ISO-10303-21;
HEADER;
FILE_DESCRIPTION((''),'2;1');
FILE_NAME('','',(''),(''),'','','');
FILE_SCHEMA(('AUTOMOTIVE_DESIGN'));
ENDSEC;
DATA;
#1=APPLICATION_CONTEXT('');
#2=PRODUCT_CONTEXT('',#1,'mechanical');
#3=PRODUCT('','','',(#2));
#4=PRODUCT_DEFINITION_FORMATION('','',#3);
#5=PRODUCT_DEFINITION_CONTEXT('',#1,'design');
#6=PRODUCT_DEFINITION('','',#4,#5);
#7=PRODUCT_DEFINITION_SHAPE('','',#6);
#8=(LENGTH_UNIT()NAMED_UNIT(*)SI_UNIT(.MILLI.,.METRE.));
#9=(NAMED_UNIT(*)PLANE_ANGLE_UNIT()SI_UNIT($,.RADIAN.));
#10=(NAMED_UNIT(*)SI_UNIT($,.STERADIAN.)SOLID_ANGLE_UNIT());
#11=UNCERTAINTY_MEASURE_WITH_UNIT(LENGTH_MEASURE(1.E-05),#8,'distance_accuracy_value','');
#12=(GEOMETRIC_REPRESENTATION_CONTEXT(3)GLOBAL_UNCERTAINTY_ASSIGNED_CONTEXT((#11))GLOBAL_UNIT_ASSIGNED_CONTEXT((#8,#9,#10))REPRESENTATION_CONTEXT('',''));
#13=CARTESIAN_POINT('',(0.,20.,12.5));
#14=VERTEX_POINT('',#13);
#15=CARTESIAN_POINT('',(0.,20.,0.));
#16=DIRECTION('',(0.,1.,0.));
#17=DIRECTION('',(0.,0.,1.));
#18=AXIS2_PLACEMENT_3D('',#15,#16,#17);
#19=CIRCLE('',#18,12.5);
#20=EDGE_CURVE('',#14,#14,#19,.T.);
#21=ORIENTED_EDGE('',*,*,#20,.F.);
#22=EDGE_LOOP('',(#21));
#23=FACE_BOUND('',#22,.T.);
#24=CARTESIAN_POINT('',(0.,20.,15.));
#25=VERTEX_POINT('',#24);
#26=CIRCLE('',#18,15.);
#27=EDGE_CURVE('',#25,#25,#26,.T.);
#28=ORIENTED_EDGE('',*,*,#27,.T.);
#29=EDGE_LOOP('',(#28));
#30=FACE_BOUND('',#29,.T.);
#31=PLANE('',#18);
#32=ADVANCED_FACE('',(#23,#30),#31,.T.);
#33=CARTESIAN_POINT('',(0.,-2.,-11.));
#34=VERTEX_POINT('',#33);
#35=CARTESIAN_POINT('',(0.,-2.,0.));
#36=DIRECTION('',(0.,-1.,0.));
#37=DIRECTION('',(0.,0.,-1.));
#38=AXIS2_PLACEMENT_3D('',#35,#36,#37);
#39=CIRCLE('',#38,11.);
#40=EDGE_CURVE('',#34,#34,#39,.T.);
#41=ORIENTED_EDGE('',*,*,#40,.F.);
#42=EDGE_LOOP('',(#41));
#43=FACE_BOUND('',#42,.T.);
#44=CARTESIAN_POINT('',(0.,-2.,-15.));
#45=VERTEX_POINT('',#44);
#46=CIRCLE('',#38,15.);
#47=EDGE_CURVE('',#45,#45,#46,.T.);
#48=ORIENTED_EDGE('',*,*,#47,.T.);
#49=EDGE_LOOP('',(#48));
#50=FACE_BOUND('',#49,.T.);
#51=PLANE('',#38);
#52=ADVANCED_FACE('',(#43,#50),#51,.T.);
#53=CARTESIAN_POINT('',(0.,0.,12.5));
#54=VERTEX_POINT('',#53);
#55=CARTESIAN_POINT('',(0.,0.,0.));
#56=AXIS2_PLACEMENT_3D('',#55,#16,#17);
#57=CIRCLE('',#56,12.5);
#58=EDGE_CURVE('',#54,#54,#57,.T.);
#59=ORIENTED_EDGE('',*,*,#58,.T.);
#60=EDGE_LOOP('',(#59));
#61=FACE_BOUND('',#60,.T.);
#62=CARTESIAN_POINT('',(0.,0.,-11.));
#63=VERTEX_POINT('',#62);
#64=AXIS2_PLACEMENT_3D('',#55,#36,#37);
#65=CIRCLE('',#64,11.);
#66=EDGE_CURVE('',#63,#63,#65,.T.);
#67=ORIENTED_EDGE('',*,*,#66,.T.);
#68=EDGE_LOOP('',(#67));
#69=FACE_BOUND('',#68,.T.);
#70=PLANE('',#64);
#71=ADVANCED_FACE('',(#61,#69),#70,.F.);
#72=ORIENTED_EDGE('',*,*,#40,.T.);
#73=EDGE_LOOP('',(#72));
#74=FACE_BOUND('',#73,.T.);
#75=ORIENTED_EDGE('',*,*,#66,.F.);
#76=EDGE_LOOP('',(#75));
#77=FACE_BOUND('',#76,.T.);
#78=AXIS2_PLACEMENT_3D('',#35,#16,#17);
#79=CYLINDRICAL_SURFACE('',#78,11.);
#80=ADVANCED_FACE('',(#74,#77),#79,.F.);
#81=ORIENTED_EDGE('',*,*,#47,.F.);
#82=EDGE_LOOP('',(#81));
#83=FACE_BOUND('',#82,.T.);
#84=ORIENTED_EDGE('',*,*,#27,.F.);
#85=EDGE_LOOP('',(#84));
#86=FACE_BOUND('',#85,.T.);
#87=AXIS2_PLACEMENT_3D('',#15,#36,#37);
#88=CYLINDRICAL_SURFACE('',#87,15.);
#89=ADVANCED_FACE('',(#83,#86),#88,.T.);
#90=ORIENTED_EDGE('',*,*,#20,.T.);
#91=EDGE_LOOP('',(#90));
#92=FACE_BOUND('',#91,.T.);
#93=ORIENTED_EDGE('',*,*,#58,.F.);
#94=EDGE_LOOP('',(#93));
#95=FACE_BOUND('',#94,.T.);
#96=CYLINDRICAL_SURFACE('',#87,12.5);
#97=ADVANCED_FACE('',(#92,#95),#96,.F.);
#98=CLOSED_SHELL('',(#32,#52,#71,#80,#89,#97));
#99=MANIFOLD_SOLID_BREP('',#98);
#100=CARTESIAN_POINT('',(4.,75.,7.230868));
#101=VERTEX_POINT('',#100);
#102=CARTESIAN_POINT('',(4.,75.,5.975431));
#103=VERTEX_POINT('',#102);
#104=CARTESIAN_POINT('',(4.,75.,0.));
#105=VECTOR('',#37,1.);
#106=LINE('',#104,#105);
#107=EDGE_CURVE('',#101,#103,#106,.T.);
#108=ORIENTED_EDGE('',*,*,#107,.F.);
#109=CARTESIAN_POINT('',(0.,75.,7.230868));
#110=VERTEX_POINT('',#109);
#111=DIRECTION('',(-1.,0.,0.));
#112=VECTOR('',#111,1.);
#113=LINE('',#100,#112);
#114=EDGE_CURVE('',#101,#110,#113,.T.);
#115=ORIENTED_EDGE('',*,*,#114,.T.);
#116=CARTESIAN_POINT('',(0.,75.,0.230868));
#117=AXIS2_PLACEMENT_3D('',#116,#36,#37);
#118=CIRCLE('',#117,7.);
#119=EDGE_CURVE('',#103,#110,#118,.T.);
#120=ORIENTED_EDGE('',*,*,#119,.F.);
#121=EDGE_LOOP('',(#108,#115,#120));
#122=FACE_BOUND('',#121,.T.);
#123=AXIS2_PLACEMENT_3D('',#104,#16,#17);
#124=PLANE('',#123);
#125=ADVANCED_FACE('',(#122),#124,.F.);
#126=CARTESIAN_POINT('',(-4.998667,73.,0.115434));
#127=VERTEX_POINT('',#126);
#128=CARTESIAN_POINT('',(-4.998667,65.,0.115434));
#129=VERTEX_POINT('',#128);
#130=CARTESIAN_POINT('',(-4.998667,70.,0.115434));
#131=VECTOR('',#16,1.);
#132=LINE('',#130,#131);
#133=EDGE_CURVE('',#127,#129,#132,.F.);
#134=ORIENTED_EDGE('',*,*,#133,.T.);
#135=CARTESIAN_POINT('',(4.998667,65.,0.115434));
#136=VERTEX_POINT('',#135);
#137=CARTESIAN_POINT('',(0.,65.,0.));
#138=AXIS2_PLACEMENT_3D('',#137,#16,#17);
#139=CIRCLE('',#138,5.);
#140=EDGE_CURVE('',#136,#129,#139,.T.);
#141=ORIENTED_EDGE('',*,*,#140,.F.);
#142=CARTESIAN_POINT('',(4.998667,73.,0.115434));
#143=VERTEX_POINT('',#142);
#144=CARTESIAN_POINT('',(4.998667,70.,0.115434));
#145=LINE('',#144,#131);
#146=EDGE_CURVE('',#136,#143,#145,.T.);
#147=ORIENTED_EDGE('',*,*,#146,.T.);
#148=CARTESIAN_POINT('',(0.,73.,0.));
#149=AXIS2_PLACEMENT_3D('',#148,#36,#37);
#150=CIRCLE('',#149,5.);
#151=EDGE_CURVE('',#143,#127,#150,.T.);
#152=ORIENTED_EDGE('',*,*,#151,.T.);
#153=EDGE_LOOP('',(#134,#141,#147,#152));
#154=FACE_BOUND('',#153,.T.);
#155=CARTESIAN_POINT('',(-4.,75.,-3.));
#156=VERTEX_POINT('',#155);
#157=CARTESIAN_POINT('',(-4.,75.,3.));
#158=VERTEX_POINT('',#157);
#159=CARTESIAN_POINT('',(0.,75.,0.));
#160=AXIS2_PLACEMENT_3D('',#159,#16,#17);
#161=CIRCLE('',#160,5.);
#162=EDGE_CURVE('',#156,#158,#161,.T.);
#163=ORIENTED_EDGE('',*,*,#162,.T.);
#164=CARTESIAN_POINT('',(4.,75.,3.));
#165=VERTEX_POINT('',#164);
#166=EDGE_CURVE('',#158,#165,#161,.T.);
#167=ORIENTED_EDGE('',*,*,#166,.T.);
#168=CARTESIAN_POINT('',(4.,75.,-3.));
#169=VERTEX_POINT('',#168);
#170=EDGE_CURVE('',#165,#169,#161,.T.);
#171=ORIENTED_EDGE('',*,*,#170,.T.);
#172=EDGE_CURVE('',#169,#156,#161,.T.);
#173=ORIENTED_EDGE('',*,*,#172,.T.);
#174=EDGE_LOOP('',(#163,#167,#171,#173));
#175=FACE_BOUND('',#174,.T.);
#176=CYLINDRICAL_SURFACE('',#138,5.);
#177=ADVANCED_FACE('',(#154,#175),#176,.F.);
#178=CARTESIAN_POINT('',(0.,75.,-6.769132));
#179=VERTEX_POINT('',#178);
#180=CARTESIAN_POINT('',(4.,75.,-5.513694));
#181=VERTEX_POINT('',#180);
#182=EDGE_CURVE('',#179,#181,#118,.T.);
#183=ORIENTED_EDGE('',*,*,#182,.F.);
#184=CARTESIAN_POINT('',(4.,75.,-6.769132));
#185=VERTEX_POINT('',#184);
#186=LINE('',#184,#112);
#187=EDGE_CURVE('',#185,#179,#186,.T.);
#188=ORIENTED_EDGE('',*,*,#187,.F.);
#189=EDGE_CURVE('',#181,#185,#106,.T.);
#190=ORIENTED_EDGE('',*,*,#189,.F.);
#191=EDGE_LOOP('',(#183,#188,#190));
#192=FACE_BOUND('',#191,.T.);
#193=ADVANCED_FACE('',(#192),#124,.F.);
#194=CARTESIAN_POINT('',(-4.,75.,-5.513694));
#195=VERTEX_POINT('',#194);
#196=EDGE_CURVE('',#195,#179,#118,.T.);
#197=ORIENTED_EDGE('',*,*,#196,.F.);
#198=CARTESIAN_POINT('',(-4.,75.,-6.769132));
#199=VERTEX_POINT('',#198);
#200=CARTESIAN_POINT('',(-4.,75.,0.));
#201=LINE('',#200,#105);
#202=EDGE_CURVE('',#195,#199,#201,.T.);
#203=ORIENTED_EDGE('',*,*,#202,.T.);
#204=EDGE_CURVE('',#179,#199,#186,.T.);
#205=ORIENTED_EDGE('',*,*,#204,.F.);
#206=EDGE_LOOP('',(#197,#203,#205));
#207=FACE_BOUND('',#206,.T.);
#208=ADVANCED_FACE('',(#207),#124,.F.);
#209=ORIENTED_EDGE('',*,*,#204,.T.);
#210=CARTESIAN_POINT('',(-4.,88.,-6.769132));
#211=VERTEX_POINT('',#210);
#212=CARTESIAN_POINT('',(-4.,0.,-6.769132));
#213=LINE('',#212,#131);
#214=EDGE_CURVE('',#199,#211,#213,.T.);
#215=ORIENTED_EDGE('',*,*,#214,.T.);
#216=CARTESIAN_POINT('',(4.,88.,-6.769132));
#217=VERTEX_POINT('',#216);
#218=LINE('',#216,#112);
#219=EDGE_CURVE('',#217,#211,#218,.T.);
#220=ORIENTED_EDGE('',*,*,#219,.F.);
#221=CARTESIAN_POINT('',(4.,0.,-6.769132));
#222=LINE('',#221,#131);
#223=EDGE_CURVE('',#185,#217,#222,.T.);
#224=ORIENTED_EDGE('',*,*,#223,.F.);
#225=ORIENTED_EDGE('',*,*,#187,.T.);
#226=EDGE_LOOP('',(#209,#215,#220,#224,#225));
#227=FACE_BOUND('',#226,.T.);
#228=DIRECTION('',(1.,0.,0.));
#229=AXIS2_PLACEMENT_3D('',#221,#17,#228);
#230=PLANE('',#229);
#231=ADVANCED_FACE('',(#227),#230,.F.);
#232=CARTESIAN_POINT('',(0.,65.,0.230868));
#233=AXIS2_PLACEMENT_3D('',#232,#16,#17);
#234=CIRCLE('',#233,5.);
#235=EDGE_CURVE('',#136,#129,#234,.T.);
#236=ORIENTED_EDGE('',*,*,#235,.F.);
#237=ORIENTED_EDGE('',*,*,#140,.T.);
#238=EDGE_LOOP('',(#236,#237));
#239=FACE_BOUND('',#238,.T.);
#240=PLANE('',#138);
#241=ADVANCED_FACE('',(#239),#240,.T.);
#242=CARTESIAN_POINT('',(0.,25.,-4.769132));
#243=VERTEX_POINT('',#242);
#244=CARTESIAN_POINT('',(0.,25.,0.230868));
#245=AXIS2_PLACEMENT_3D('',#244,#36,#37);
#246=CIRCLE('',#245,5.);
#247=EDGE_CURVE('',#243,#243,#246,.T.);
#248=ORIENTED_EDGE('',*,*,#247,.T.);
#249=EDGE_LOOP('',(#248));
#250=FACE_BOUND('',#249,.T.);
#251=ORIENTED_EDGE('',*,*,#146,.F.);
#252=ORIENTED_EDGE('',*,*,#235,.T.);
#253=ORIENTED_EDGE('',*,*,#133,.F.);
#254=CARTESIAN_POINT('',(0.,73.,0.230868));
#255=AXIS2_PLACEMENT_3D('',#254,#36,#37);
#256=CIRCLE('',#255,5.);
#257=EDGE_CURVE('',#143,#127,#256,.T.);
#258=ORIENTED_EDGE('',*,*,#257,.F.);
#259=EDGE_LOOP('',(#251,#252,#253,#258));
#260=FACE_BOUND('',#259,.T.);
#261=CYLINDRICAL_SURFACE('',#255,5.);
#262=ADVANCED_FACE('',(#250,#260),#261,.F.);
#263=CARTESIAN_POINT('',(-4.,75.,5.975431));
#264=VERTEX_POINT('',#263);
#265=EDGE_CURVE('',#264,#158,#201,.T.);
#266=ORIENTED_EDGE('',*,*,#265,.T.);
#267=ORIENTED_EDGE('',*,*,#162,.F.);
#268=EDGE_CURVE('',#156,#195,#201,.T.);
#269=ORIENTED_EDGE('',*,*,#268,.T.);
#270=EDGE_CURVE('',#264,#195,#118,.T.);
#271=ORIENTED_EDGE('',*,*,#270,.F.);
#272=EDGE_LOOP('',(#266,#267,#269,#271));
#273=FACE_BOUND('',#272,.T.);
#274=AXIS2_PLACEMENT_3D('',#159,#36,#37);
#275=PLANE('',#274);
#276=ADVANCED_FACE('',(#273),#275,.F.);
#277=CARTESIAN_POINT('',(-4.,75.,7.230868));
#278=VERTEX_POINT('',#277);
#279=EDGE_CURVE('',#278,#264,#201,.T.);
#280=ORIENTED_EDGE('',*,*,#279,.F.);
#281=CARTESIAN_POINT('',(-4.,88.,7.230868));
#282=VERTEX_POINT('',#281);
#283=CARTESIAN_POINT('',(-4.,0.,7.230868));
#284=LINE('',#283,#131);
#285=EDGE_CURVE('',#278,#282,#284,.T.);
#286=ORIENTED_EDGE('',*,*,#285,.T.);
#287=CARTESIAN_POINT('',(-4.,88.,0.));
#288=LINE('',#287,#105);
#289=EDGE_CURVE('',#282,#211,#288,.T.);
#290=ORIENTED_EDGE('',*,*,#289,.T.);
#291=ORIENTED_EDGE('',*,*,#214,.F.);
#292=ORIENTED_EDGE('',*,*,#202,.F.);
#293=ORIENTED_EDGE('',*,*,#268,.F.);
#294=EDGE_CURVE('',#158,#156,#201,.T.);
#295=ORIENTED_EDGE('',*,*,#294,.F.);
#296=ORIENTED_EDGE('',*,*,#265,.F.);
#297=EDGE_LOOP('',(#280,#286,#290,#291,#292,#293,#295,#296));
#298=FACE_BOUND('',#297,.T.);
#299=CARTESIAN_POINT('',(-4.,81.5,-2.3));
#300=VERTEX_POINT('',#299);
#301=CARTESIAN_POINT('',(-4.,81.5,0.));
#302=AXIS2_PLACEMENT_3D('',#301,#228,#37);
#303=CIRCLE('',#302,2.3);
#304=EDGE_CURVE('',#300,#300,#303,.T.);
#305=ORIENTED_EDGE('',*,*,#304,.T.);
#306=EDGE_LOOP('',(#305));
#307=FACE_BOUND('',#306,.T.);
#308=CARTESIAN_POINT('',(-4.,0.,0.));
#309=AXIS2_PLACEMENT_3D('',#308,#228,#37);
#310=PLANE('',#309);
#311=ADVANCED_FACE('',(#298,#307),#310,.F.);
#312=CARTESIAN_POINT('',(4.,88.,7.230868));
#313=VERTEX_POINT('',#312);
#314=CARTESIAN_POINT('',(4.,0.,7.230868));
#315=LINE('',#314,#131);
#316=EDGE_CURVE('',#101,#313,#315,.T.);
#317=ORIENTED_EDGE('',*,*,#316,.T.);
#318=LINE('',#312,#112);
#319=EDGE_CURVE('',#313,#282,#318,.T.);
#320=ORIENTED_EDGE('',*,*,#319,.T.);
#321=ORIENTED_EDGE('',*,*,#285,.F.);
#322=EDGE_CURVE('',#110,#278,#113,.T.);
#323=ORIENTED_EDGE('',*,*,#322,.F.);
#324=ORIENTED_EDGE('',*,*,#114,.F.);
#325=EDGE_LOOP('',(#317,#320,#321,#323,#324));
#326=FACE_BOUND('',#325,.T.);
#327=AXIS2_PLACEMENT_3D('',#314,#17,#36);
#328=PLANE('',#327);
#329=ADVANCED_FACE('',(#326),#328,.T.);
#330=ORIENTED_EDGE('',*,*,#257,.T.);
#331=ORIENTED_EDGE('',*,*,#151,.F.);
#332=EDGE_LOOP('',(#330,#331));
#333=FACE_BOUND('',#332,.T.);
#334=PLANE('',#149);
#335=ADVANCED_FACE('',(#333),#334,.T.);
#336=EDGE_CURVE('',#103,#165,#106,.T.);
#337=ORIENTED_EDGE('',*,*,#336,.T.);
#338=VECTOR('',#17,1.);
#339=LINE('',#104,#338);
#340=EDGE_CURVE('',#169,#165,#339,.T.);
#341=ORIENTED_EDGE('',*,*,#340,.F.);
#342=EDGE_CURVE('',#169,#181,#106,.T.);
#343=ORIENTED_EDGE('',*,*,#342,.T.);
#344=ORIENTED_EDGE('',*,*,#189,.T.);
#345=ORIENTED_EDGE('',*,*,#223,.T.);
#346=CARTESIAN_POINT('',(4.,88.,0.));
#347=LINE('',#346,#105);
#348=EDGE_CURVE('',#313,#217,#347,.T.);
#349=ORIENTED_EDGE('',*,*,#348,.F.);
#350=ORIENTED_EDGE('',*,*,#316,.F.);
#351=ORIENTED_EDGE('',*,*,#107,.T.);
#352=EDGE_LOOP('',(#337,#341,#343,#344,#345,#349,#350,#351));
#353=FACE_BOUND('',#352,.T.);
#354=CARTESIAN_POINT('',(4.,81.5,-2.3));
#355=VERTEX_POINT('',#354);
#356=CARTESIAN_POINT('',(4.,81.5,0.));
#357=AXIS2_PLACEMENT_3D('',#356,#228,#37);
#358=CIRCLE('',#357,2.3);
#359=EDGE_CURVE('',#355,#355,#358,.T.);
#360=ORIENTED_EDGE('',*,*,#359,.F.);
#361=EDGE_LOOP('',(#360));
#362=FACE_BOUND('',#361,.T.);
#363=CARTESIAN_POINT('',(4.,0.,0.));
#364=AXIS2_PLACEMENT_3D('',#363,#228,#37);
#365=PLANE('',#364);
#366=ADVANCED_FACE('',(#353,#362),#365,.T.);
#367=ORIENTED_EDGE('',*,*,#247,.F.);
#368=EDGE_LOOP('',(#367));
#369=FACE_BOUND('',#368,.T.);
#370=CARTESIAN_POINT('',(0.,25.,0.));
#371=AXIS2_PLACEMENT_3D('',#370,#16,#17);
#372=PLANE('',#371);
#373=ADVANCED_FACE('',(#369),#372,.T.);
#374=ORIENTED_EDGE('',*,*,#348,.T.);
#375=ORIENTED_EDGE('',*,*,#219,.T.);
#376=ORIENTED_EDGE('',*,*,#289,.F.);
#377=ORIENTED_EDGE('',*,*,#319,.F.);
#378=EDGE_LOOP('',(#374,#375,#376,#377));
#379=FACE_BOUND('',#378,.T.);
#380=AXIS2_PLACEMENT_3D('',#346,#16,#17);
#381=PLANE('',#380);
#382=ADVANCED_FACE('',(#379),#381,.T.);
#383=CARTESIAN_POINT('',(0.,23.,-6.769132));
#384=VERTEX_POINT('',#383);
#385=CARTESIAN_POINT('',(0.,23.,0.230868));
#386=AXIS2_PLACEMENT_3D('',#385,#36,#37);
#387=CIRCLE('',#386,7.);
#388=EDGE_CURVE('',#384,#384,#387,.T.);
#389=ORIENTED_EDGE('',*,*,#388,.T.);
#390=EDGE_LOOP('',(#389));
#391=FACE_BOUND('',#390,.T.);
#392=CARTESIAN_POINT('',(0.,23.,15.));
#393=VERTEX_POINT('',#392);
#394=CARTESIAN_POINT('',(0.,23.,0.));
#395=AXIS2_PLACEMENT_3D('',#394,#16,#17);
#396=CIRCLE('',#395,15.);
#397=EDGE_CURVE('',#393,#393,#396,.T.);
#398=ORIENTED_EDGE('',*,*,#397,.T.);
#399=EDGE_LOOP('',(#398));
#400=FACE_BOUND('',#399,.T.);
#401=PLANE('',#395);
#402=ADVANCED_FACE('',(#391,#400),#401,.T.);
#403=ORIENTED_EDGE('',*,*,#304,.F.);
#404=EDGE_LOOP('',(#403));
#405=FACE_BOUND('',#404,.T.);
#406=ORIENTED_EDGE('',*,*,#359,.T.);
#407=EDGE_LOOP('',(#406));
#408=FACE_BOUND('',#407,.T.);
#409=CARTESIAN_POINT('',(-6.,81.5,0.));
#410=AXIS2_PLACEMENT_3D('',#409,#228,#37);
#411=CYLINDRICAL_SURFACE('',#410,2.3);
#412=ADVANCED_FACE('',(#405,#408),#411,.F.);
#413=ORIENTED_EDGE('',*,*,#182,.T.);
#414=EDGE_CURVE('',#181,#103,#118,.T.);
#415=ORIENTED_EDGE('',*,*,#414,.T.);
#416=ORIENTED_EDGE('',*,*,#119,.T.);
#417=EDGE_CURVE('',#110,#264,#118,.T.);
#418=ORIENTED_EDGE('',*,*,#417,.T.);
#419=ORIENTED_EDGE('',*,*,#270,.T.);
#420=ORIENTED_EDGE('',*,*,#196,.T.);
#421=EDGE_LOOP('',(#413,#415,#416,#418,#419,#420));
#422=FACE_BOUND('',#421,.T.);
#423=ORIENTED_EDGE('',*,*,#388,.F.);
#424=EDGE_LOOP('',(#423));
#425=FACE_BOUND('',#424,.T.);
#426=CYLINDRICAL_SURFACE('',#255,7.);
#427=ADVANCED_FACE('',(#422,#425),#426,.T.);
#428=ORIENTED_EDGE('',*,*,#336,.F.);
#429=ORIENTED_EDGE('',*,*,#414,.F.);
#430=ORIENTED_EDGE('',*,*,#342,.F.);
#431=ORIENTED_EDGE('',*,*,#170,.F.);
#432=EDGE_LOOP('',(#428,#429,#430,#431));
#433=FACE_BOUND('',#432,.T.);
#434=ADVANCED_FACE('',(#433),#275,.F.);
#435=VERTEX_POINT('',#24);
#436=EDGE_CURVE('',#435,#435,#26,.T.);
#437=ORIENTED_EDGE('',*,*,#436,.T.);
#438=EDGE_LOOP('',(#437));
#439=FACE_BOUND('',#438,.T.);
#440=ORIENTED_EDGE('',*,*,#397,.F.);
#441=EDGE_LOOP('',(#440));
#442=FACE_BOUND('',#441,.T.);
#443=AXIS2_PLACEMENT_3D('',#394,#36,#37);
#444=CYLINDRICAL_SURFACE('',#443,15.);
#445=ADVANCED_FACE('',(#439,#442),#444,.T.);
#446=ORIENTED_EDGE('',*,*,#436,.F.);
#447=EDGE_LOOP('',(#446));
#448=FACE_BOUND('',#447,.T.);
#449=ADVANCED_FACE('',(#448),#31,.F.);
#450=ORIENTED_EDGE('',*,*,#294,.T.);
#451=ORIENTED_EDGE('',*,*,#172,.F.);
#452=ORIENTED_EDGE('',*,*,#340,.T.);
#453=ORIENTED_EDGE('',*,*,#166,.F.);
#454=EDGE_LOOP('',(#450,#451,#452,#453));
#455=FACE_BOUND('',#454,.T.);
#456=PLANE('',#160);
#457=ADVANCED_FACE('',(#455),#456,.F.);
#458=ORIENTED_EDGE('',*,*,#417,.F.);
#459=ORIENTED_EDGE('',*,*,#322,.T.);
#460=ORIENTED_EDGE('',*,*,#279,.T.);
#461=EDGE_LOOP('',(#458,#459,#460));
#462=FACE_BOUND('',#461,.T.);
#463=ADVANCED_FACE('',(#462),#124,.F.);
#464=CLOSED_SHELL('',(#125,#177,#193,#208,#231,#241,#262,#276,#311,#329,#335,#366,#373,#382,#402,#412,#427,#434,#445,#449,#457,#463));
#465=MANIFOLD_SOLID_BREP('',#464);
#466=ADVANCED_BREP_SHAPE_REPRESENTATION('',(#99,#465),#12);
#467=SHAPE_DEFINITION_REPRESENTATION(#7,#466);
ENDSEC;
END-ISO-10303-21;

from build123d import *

# Parameters (mm, degrees)
SKETCH1_R           = 15
SKETCH1_R_2         = 12.5
BOSS_EXTRUDE1_DEPTH = 20
BOSS_EXTRUDE2_START = 2
SKETCH2_R           = 15
SKETCH2_R_2         = 11
BOSS_EXTRUDE2_DEPTH = 2
SKETCH4_R           = 15
BOSS_EXTRUDE3_DEPTH = 3
BOSS_EXTRUDE4_DEPTH = 4
SKETCH7_R           = 2.3
CUT_EXTRUDE1_DEPTH  = 10
SKETCH8_R           = 5
CUT_EXTRUDE2_DEPTH  = 10


with BuildPart() as part:
    # Sketch1 → Boss-Extrude1 (new body)
    with BuildSketch(Plane(origin=(0, 0, 0), x_dir=(1, 0, 0), z_dir=(0, 1, 0))):
        Circle(SKETCH1_R)
        Circle(SKETCH1_R_2, mode=Mode.SUBTRACT)
    extrude(amount=BOSS_EXTRUDE1_DEPTH)

    # Sketch2 → Boss-Extrude2 (add)
    with BuildSketch(Plane.XZ.offset(BOSS_EXTRUDE2_START)):
        Circle(SKETCH2_R)
        Circle(SKETCH2_R_2, mode=Mode.SUBTRACT)
    extrude(amount=-BOSS_EXTRUDE2_DEPTH)


with BuildPart() as body_2:
    # Sketch4 → Boss-Extrude3 (new body)
    with BuildSketch(Plane(origin=(0, 20, 0), x_dir=(1, 0, 0), z_dir=(0, 1, 0))):
        Circle(SKETCH4_R)
    extrude(amount=BOSS_EXTRUDE3_DEPTH)

    # Sketch5 → Revolve1 (revolve)
    with BuildSketch(Plane(origin=(0, 0, 0), x_dir=(0, 0, -1), z_dir=(1, 0, 0))):
        Polygon((6.769131535, 75), (-0.230868465, 75), (-0.230868465, 73), (4.769131535, 73), (4.769131535, 25), (-0.230868465, 25), (-0.230868465, 23), (6.769131535, 23), align=None)
    revolve(axis=Axis((0, 73, 0.230868465), (0, 1, 0)))

    # Sketch5<6> → Boss-Extrude4 (add, symmetric)
    with BuildSketch(Plane(origin=(0, 0, 0), x_dir=(0, 0, -1), z_dir=(1, 0, 0))):
        Polygon((-7.230868465, 88), (-7.230868465, 75), (-0.230868465, 75), (6.769131535, 75), (6.769131535, 88), align=None)
    extrude(amount=BOSS_EXTRUDE4_DEPTH, both=True)

    # Sketch7 → Cut-Extrude1 (cut)
    with BuildSketch(Plane(origin=(4, 0, 0), x_dir=(0, 0, -1), z_dir=(1, 0, 0))):
        with Locations((0, 81.5)):
            Circle(SKETCH7_R)
    extrude(amount=-CUT_EXTRUDE1_DEPTH, mode=Mode.SUBTRACT)

    # Sketch8 → Cut-Extrude2 (cut)
    with BuildSketch(Plane(origin=(0, 75, 0), x_dir=(1, 0, 0), z_dir=(0, 1, 0))):
        Circle(SKETCH8_R)
    extrude(amount=-CUT_EXTRUDE2_DEPTH, mode=Mode.SUBTRACT)


solid = Compound([part.part, body_2.part])
